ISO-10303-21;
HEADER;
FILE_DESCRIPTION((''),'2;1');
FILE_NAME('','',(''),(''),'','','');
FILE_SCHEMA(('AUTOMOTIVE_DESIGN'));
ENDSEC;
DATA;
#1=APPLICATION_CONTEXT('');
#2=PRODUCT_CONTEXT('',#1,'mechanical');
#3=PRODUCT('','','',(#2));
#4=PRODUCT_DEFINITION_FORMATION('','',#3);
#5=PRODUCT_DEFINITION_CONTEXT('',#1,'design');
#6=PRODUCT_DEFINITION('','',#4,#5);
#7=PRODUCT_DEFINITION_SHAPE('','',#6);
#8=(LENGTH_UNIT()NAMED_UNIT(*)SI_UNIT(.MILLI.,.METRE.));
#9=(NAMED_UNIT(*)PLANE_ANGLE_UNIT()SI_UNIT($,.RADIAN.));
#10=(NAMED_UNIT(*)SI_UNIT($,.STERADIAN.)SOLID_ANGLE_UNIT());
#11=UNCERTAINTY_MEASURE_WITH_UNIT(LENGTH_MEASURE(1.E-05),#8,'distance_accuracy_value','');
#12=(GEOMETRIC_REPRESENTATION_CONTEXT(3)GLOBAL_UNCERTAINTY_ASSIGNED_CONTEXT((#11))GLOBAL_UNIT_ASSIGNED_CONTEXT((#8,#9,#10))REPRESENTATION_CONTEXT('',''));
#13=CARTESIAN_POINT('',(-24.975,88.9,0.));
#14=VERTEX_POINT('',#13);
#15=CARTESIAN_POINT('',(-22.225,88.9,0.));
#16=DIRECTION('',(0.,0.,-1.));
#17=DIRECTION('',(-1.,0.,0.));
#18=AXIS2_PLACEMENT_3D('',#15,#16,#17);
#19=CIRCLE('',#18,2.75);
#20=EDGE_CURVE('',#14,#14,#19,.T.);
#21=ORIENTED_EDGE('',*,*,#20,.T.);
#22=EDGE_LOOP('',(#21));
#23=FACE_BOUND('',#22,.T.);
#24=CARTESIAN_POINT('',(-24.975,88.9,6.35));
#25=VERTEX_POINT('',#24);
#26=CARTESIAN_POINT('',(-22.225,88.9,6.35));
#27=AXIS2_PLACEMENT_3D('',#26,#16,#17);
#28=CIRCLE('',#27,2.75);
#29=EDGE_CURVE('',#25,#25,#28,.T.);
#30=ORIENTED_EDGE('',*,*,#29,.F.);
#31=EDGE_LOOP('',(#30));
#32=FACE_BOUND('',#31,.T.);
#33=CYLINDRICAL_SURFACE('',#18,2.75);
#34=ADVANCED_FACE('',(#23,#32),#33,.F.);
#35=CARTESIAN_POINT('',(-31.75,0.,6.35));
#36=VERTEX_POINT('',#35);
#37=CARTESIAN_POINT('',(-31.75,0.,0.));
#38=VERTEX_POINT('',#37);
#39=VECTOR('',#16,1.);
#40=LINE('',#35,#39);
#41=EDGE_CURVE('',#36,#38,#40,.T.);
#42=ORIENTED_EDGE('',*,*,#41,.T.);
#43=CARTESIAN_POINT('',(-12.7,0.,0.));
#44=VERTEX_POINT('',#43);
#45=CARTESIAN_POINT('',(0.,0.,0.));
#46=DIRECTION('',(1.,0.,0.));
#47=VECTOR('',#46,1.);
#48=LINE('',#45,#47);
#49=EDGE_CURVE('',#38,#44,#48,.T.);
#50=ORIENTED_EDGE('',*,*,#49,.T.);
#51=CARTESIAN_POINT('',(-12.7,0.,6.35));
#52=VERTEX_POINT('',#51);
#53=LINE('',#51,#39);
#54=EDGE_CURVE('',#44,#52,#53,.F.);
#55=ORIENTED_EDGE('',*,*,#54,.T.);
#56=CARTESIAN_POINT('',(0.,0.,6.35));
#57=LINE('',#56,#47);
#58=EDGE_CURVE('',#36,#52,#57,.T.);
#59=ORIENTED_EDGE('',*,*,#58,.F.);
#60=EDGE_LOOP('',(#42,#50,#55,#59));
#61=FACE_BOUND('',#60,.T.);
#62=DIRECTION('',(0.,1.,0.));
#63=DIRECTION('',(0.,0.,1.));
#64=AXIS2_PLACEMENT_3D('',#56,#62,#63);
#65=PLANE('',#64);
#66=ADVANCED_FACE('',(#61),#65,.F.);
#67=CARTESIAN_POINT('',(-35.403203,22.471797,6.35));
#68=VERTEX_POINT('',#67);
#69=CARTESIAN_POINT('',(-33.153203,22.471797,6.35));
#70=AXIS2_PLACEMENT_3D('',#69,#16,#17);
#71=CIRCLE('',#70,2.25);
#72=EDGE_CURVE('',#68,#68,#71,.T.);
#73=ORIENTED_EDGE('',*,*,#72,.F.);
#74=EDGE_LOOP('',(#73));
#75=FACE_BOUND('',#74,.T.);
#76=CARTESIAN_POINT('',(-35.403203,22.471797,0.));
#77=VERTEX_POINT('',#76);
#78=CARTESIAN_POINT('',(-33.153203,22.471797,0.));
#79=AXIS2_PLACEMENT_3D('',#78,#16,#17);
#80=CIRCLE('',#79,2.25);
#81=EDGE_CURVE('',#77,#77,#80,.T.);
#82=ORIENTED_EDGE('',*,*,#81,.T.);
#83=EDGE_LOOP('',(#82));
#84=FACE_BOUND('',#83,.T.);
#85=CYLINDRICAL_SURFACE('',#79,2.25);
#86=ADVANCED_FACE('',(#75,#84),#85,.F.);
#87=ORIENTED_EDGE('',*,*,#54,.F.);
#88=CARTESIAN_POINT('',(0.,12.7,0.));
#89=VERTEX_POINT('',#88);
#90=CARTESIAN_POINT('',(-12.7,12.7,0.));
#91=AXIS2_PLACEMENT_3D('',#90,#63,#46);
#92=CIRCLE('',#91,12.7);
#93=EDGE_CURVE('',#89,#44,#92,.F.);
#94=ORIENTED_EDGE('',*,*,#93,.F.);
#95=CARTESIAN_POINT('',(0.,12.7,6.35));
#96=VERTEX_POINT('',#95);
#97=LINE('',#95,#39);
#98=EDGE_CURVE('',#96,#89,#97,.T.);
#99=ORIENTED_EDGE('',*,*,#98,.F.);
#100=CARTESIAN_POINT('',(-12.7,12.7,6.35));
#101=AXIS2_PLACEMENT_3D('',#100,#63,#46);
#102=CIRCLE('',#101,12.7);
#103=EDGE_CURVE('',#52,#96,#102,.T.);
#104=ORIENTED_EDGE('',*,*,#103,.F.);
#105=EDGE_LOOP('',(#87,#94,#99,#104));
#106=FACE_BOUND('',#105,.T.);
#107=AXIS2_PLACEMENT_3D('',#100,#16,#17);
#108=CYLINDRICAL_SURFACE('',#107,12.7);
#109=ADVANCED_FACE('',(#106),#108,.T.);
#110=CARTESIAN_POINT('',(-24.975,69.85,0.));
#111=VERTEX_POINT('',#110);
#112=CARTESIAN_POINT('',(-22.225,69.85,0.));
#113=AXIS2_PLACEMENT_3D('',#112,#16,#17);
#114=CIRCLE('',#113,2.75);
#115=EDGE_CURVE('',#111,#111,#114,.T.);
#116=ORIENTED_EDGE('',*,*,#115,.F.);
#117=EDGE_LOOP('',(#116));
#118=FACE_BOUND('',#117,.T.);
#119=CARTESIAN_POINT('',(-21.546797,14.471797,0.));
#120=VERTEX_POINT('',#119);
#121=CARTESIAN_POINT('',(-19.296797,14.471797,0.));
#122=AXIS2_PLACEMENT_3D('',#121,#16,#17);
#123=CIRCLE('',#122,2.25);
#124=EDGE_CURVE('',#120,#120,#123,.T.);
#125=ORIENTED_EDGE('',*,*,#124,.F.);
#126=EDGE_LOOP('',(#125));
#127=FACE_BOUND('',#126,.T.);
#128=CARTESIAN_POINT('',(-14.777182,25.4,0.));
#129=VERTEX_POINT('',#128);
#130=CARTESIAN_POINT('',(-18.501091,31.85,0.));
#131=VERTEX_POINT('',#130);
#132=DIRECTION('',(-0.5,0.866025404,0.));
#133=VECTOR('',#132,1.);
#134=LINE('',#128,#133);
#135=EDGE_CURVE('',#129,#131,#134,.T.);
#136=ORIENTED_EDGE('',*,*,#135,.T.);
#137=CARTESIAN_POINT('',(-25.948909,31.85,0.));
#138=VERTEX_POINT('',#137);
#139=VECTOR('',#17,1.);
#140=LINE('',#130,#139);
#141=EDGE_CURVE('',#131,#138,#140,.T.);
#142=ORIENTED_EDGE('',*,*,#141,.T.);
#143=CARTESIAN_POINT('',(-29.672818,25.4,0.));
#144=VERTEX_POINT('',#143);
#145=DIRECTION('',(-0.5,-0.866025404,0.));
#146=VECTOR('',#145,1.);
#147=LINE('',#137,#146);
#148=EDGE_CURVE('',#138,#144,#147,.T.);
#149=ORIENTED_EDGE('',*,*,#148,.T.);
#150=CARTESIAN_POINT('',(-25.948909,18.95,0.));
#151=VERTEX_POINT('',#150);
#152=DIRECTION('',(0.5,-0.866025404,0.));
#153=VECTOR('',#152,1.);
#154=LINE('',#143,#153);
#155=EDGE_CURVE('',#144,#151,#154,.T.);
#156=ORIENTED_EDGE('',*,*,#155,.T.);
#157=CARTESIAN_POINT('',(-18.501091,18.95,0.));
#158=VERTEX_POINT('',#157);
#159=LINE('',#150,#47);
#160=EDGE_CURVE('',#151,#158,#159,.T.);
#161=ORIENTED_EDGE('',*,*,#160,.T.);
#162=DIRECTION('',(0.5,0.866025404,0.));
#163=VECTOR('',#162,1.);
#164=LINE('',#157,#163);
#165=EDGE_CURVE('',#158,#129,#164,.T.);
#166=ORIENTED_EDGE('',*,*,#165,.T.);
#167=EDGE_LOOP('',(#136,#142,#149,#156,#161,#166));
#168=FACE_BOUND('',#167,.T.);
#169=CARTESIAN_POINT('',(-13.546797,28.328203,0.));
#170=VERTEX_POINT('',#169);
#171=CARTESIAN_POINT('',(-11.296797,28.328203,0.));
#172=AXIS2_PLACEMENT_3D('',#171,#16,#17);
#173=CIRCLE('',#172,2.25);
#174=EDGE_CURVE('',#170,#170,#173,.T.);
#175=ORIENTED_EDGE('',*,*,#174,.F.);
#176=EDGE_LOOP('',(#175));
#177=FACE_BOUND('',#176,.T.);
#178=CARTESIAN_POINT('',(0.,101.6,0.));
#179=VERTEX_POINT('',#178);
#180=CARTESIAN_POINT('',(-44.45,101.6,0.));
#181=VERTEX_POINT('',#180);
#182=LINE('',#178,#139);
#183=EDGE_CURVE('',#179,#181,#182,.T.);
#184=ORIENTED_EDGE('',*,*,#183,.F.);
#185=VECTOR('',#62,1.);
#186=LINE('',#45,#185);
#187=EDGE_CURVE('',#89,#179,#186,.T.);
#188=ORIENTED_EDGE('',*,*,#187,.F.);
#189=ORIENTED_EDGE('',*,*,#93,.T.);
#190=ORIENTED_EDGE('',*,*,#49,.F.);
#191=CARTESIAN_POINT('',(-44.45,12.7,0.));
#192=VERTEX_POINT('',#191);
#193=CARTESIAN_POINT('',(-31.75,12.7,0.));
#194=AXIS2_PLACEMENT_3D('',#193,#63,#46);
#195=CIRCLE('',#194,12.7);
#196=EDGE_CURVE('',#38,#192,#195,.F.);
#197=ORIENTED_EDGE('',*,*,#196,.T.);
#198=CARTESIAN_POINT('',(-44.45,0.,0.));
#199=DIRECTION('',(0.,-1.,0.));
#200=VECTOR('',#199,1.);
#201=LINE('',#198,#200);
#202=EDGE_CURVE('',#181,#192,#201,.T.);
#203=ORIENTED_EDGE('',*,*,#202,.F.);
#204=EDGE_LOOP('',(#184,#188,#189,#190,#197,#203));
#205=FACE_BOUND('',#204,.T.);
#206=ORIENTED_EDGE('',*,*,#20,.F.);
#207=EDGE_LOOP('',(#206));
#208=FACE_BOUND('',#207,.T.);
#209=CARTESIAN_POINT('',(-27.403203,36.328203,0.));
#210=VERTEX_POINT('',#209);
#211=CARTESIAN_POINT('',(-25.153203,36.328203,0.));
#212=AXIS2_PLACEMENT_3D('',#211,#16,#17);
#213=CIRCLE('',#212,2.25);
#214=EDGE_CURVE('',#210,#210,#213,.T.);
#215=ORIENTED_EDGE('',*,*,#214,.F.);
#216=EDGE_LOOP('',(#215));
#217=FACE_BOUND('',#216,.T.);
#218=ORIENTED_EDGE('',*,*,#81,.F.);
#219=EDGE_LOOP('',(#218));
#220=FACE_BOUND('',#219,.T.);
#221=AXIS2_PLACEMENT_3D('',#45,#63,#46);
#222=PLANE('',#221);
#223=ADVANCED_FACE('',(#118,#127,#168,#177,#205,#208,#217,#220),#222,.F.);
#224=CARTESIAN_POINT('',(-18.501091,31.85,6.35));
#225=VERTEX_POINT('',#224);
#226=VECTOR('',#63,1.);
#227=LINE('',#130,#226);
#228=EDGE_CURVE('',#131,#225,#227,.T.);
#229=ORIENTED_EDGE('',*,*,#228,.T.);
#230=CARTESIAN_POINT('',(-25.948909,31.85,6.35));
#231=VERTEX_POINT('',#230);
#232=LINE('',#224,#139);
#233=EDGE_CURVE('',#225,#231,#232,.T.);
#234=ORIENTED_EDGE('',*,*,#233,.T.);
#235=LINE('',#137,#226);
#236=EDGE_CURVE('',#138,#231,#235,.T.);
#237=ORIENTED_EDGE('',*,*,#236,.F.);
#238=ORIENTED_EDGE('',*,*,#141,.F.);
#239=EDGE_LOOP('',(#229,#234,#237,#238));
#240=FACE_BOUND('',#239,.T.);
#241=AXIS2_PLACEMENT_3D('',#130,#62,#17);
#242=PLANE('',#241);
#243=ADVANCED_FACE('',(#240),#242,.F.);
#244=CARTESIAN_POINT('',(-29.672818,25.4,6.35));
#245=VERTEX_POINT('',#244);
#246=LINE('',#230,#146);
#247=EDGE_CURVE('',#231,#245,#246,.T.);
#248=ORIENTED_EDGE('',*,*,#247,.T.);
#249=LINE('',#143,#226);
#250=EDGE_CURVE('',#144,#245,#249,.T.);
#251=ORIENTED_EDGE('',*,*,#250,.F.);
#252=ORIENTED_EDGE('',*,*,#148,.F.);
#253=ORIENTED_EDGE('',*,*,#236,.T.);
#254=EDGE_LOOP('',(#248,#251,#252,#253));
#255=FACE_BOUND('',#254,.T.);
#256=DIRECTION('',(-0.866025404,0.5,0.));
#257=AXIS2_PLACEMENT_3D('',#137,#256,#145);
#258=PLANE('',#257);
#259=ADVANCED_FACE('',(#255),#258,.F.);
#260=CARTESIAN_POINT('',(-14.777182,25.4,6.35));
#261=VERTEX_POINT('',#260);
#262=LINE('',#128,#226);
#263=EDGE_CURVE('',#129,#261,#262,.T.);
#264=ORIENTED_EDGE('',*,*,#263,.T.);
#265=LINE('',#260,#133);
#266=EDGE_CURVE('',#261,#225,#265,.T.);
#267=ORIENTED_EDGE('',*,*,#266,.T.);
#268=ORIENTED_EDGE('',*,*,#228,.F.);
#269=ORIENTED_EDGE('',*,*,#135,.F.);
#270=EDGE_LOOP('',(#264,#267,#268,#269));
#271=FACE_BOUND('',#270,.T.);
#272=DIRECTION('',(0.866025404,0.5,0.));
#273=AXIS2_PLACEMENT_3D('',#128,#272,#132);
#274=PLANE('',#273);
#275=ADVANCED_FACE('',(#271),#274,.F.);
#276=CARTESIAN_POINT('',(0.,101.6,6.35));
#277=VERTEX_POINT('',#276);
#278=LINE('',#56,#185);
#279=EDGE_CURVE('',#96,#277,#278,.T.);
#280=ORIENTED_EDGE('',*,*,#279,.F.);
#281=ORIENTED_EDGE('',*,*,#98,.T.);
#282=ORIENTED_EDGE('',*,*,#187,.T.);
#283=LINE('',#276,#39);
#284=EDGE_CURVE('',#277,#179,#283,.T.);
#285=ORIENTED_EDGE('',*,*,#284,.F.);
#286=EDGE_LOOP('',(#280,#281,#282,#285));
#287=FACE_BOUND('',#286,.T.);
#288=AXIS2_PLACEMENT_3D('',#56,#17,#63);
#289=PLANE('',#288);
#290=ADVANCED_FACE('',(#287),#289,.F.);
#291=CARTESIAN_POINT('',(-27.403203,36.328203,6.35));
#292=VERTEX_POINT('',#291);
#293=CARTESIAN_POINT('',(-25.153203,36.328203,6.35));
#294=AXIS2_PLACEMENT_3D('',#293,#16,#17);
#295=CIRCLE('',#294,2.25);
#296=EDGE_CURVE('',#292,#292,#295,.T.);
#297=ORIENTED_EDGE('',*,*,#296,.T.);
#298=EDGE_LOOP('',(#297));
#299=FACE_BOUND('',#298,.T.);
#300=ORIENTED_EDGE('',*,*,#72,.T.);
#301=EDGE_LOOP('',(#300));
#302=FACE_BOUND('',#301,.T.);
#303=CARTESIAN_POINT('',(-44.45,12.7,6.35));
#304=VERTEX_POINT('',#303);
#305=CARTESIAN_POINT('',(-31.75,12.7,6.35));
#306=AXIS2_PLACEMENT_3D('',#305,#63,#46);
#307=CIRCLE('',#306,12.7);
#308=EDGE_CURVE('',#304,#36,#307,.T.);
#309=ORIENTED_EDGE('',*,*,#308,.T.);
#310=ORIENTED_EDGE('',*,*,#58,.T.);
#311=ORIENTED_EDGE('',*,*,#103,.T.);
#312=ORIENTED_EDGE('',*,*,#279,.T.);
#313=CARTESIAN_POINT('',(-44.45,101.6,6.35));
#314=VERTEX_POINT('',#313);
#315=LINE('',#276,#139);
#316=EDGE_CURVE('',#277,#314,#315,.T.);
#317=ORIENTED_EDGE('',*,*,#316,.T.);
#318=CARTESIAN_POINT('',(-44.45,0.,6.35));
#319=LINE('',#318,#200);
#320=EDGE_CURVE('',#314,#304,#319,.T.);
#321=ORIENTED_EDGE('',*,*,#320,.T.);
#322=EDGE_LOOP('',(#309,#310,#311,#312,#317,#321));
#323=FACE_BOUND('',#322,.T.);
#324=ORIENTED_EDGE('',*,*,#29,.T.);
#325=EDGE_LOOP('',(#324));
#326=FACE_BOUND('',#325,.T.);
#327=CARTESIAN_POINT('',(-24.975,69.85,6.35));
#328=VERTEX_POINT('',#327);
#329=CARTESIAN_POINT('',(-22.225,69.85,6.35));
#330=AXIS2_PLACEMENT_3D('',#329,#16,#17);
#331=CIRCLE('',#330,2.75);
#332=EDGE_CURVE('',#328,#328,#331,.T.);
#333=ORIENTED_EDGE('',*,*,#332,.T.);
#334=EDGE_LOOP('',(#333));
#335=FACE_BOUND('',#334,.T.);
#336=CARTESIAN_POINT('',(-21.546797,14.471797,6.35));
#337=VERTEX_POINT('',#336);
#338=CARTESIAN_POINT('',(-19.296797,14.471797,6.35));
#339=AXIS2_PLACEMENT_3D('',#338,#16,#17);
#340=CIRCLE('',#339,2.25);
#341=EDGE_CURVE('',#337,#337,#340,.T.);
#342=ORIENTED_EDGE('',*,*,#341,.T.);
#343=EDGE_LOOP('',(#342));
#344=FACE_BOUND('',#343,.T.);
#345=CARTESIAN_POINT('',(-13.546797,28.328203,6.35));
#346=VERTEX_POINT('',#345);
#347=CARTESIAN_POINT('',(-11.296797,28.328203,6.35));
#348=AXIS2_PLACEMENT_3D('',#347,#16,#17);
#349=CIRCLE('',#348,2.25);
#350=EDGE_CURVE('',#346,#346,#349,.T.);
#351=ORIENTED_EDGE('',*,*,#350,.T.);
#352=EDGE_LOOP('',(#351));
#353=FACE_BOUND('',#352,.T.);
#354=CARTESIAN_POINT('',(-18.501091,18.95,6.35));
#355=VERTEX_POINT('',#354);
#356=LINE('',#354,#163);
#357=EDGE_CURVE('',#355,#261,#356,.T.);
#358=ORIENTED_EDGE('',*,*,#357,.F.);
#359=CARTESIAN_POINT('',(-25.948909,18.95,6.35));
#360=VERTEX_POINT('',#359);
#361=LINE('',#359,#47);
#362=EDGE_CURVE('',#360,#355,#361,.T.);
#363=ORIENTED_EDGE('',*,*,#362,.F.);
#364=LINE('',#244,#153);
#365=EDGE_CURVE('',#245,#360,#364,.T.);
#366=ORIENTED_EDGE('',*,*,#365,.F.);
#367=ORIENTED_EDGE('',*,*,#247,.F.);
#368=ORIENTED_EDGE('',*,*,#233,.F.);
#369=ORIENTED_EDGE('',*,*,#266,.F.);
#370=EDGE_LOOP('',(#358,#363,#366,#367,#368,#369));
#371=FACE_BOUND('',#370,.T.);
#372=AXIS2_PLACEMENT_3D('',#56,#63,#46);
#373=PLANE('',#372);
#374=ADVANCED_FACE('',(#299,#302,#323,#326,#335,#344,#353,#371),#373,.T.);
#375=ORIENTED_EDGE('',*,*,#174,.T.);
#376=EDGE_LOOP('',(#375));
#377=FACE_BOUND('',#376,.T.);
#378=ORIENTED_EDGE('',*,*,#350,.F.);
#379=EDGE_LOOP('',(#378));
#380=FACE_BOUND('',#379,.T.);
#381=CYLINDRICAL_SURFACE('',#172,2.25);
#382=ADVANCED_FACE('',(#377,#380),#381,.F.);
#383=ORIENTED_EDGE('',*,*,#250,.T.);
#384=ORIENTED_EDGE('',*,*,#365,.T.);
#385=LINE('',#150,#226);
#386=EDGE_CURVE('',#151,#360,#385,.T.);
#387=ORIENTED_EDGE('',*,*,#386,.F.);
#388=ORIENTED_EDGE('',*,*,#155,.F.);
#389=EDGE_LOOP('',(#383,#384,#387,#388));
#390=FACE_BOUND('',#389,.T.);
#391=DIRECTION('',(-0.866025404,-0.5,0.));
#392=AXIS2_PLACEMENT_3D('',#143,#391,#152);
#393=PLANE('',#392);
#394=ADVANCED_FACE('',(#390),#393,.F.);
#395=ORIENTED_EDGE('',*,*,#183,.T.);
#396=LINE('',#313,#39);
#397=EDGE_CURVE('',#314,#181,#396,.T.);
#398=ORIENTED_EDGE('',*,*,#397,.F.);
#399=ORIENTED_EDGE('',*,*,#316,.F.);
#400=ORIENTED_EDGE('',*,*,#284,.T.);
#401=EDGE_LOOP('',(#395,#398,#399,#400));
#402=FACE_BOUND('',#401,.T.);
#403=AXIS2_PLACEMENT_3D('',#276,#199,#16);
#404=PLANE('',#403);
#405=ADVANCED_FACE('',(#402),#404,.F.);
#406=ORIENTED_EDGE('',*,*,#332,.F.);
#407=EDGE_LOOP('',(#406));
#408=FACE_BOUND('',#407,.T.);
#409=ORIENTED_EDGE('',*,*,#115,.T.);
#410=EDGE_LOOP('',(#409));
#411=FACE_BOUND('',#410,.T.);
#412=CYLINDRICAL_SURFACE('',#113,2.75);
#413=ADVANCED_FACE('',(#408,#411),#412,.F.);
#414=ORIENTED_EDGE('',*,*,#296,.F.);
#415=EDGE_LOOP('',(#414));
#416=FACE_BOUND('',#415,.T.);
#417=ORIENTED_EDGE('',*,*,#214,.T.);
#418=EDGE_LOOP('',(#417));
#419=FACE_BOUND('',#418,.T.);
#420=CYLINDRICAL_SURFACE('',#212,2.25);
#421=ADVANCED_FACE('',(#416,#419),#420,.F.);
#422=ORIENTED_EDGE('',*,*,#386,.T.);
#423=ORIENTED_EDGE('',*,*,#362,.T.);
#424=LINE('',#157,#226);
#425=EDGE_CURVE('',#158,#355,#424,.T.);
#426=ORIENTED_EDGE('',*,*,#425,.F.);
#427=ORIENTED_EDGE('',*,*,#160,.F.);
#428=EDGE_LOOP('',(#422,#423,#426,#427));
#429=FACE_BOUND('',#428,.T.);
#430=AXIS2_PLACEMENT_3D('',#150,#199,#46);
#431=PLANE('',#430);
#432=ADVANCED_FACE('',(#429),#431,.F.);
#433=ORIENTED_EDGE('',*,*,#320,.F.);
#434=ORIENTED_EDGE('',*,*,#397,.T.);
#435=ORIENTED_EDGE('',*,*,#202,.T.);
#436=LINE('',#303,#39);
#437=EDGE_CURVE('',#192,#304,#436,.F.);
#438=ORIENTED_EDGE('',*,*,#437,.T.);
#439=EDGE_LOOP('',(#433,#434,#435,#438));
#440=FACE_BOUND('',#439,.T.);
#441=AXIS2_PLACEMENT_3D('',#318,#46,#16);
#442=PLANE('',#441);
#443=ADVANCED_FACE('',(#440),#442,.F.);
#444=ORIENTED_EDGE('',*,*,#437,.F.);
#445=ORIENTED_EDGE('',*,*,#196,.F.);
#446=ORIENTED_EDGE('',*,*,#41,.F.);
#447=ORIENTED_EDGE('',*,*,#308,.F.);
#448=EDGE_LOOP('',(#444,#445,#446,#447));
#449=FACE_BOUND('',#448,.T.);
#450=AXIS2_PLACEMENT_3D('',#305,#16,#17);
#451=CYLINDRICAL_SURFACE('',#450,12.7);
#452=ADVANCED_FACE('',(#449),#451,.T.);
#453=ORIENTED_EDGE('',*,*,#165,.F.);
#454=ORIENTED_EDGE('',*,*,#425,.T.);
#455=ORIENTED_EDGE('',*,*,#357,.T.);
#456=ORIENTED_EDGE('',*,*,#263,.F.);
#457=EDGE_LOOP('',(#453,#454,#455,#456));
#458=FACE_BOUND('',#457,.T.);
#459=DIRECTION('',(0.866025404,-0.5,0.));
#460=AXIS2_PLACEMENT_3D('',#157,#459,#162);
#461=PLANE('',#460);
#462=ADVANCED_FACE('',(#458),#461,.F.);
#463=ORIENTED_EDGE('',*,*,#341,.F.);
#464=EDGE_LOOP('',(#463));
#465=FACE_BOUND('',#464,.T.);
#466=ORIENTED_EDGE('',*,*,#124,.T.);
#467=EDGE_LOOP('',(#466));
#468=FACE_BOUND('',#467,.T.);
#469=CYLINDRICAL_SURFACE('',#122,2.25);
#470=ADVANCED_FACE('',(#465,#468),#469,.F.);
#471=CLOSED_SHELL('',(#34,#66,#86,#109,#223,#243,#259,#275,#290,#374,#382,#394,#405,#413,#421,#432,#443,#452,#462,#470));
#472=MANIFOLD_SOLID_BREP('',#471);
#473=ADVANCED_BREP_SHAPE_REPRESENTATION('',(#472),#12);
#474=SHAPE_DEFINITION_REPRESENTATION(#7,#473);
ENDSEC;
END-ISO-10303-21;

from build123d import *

# Parameters (mm, degrees)
SKETCH1_W            = 44.45
SKETCH1_H            = 101.6
BOSS_EXTRUDE2_DEPTH  = 6.35
FILLET1_R            = 12.7
M5_CLEARANCE_HOLE1_D = 5.5
CUT_EXTRUDE1_DEPTH   = 112.079633597
M4_CLEARANCE_HOLE1_D = 4.5


with BuildPart() as part:
    # Sketch1 → Boss-Extrude2 (new body)
    with BuildSketch(Plane.XY):
        with Locations((-22.225, 50.8)):
            Rectangle(SKETCH1_W, SKETCH1_H)
    extrude(amount=BOSS_EXTRUDE2_DEPTH)

    # Fillet1
    fillet1_edges = [part.edges().sort_by_distance(p)[0] for p in [
        (0, 0, 3.175),
        (-44.45, 0, 3.175),
    ]]
    fillet(fillet1_edges, radius=FILLET1_R)

    # M5 Clearance Hole1 (through all)
    with Locations(Plane(origin=(0, 0, 0), x_dir=(-1, 0, 0), z_dir=(0, 0, -1))):
        with Locations((22.225, 88.9), (22.225, 69.85)):
            Hole(M5_CLEARANCE_HOLE1_D / 2)

    # Sketch14 → Cut-Extrude1 (cut, through all)
    with BuildSketch(Plane.XY.offset(6.35)):
        Polygon((-14.777181527, 25.4), (-18.501090764, 31.85), (-25.948909236, 31.85), (-29.672818473, 25.4), (-25.948909236, 18.95), (-18.501090764, 18.95), align=None)
    extrude(amount=-CUT_EXTRUDE1_DEPTH, mode=Mode.SUBTRACT)

    # M4 Clearance Hole1 (through all)
    with Locations(Plane(origin=(0, 0, 0), x_dir=(-1, 0, 0), z_dir=(0, 0, -1))):
        with Locations((11.29679677, 28.32820323), (25.15320323, 36.32820323), (33.15320323, 22.47179677), (19.29679677, 14.47179677)):
            Hole(M4_CLEARANCE_HOLE1_D / 2)


solid = part.part
